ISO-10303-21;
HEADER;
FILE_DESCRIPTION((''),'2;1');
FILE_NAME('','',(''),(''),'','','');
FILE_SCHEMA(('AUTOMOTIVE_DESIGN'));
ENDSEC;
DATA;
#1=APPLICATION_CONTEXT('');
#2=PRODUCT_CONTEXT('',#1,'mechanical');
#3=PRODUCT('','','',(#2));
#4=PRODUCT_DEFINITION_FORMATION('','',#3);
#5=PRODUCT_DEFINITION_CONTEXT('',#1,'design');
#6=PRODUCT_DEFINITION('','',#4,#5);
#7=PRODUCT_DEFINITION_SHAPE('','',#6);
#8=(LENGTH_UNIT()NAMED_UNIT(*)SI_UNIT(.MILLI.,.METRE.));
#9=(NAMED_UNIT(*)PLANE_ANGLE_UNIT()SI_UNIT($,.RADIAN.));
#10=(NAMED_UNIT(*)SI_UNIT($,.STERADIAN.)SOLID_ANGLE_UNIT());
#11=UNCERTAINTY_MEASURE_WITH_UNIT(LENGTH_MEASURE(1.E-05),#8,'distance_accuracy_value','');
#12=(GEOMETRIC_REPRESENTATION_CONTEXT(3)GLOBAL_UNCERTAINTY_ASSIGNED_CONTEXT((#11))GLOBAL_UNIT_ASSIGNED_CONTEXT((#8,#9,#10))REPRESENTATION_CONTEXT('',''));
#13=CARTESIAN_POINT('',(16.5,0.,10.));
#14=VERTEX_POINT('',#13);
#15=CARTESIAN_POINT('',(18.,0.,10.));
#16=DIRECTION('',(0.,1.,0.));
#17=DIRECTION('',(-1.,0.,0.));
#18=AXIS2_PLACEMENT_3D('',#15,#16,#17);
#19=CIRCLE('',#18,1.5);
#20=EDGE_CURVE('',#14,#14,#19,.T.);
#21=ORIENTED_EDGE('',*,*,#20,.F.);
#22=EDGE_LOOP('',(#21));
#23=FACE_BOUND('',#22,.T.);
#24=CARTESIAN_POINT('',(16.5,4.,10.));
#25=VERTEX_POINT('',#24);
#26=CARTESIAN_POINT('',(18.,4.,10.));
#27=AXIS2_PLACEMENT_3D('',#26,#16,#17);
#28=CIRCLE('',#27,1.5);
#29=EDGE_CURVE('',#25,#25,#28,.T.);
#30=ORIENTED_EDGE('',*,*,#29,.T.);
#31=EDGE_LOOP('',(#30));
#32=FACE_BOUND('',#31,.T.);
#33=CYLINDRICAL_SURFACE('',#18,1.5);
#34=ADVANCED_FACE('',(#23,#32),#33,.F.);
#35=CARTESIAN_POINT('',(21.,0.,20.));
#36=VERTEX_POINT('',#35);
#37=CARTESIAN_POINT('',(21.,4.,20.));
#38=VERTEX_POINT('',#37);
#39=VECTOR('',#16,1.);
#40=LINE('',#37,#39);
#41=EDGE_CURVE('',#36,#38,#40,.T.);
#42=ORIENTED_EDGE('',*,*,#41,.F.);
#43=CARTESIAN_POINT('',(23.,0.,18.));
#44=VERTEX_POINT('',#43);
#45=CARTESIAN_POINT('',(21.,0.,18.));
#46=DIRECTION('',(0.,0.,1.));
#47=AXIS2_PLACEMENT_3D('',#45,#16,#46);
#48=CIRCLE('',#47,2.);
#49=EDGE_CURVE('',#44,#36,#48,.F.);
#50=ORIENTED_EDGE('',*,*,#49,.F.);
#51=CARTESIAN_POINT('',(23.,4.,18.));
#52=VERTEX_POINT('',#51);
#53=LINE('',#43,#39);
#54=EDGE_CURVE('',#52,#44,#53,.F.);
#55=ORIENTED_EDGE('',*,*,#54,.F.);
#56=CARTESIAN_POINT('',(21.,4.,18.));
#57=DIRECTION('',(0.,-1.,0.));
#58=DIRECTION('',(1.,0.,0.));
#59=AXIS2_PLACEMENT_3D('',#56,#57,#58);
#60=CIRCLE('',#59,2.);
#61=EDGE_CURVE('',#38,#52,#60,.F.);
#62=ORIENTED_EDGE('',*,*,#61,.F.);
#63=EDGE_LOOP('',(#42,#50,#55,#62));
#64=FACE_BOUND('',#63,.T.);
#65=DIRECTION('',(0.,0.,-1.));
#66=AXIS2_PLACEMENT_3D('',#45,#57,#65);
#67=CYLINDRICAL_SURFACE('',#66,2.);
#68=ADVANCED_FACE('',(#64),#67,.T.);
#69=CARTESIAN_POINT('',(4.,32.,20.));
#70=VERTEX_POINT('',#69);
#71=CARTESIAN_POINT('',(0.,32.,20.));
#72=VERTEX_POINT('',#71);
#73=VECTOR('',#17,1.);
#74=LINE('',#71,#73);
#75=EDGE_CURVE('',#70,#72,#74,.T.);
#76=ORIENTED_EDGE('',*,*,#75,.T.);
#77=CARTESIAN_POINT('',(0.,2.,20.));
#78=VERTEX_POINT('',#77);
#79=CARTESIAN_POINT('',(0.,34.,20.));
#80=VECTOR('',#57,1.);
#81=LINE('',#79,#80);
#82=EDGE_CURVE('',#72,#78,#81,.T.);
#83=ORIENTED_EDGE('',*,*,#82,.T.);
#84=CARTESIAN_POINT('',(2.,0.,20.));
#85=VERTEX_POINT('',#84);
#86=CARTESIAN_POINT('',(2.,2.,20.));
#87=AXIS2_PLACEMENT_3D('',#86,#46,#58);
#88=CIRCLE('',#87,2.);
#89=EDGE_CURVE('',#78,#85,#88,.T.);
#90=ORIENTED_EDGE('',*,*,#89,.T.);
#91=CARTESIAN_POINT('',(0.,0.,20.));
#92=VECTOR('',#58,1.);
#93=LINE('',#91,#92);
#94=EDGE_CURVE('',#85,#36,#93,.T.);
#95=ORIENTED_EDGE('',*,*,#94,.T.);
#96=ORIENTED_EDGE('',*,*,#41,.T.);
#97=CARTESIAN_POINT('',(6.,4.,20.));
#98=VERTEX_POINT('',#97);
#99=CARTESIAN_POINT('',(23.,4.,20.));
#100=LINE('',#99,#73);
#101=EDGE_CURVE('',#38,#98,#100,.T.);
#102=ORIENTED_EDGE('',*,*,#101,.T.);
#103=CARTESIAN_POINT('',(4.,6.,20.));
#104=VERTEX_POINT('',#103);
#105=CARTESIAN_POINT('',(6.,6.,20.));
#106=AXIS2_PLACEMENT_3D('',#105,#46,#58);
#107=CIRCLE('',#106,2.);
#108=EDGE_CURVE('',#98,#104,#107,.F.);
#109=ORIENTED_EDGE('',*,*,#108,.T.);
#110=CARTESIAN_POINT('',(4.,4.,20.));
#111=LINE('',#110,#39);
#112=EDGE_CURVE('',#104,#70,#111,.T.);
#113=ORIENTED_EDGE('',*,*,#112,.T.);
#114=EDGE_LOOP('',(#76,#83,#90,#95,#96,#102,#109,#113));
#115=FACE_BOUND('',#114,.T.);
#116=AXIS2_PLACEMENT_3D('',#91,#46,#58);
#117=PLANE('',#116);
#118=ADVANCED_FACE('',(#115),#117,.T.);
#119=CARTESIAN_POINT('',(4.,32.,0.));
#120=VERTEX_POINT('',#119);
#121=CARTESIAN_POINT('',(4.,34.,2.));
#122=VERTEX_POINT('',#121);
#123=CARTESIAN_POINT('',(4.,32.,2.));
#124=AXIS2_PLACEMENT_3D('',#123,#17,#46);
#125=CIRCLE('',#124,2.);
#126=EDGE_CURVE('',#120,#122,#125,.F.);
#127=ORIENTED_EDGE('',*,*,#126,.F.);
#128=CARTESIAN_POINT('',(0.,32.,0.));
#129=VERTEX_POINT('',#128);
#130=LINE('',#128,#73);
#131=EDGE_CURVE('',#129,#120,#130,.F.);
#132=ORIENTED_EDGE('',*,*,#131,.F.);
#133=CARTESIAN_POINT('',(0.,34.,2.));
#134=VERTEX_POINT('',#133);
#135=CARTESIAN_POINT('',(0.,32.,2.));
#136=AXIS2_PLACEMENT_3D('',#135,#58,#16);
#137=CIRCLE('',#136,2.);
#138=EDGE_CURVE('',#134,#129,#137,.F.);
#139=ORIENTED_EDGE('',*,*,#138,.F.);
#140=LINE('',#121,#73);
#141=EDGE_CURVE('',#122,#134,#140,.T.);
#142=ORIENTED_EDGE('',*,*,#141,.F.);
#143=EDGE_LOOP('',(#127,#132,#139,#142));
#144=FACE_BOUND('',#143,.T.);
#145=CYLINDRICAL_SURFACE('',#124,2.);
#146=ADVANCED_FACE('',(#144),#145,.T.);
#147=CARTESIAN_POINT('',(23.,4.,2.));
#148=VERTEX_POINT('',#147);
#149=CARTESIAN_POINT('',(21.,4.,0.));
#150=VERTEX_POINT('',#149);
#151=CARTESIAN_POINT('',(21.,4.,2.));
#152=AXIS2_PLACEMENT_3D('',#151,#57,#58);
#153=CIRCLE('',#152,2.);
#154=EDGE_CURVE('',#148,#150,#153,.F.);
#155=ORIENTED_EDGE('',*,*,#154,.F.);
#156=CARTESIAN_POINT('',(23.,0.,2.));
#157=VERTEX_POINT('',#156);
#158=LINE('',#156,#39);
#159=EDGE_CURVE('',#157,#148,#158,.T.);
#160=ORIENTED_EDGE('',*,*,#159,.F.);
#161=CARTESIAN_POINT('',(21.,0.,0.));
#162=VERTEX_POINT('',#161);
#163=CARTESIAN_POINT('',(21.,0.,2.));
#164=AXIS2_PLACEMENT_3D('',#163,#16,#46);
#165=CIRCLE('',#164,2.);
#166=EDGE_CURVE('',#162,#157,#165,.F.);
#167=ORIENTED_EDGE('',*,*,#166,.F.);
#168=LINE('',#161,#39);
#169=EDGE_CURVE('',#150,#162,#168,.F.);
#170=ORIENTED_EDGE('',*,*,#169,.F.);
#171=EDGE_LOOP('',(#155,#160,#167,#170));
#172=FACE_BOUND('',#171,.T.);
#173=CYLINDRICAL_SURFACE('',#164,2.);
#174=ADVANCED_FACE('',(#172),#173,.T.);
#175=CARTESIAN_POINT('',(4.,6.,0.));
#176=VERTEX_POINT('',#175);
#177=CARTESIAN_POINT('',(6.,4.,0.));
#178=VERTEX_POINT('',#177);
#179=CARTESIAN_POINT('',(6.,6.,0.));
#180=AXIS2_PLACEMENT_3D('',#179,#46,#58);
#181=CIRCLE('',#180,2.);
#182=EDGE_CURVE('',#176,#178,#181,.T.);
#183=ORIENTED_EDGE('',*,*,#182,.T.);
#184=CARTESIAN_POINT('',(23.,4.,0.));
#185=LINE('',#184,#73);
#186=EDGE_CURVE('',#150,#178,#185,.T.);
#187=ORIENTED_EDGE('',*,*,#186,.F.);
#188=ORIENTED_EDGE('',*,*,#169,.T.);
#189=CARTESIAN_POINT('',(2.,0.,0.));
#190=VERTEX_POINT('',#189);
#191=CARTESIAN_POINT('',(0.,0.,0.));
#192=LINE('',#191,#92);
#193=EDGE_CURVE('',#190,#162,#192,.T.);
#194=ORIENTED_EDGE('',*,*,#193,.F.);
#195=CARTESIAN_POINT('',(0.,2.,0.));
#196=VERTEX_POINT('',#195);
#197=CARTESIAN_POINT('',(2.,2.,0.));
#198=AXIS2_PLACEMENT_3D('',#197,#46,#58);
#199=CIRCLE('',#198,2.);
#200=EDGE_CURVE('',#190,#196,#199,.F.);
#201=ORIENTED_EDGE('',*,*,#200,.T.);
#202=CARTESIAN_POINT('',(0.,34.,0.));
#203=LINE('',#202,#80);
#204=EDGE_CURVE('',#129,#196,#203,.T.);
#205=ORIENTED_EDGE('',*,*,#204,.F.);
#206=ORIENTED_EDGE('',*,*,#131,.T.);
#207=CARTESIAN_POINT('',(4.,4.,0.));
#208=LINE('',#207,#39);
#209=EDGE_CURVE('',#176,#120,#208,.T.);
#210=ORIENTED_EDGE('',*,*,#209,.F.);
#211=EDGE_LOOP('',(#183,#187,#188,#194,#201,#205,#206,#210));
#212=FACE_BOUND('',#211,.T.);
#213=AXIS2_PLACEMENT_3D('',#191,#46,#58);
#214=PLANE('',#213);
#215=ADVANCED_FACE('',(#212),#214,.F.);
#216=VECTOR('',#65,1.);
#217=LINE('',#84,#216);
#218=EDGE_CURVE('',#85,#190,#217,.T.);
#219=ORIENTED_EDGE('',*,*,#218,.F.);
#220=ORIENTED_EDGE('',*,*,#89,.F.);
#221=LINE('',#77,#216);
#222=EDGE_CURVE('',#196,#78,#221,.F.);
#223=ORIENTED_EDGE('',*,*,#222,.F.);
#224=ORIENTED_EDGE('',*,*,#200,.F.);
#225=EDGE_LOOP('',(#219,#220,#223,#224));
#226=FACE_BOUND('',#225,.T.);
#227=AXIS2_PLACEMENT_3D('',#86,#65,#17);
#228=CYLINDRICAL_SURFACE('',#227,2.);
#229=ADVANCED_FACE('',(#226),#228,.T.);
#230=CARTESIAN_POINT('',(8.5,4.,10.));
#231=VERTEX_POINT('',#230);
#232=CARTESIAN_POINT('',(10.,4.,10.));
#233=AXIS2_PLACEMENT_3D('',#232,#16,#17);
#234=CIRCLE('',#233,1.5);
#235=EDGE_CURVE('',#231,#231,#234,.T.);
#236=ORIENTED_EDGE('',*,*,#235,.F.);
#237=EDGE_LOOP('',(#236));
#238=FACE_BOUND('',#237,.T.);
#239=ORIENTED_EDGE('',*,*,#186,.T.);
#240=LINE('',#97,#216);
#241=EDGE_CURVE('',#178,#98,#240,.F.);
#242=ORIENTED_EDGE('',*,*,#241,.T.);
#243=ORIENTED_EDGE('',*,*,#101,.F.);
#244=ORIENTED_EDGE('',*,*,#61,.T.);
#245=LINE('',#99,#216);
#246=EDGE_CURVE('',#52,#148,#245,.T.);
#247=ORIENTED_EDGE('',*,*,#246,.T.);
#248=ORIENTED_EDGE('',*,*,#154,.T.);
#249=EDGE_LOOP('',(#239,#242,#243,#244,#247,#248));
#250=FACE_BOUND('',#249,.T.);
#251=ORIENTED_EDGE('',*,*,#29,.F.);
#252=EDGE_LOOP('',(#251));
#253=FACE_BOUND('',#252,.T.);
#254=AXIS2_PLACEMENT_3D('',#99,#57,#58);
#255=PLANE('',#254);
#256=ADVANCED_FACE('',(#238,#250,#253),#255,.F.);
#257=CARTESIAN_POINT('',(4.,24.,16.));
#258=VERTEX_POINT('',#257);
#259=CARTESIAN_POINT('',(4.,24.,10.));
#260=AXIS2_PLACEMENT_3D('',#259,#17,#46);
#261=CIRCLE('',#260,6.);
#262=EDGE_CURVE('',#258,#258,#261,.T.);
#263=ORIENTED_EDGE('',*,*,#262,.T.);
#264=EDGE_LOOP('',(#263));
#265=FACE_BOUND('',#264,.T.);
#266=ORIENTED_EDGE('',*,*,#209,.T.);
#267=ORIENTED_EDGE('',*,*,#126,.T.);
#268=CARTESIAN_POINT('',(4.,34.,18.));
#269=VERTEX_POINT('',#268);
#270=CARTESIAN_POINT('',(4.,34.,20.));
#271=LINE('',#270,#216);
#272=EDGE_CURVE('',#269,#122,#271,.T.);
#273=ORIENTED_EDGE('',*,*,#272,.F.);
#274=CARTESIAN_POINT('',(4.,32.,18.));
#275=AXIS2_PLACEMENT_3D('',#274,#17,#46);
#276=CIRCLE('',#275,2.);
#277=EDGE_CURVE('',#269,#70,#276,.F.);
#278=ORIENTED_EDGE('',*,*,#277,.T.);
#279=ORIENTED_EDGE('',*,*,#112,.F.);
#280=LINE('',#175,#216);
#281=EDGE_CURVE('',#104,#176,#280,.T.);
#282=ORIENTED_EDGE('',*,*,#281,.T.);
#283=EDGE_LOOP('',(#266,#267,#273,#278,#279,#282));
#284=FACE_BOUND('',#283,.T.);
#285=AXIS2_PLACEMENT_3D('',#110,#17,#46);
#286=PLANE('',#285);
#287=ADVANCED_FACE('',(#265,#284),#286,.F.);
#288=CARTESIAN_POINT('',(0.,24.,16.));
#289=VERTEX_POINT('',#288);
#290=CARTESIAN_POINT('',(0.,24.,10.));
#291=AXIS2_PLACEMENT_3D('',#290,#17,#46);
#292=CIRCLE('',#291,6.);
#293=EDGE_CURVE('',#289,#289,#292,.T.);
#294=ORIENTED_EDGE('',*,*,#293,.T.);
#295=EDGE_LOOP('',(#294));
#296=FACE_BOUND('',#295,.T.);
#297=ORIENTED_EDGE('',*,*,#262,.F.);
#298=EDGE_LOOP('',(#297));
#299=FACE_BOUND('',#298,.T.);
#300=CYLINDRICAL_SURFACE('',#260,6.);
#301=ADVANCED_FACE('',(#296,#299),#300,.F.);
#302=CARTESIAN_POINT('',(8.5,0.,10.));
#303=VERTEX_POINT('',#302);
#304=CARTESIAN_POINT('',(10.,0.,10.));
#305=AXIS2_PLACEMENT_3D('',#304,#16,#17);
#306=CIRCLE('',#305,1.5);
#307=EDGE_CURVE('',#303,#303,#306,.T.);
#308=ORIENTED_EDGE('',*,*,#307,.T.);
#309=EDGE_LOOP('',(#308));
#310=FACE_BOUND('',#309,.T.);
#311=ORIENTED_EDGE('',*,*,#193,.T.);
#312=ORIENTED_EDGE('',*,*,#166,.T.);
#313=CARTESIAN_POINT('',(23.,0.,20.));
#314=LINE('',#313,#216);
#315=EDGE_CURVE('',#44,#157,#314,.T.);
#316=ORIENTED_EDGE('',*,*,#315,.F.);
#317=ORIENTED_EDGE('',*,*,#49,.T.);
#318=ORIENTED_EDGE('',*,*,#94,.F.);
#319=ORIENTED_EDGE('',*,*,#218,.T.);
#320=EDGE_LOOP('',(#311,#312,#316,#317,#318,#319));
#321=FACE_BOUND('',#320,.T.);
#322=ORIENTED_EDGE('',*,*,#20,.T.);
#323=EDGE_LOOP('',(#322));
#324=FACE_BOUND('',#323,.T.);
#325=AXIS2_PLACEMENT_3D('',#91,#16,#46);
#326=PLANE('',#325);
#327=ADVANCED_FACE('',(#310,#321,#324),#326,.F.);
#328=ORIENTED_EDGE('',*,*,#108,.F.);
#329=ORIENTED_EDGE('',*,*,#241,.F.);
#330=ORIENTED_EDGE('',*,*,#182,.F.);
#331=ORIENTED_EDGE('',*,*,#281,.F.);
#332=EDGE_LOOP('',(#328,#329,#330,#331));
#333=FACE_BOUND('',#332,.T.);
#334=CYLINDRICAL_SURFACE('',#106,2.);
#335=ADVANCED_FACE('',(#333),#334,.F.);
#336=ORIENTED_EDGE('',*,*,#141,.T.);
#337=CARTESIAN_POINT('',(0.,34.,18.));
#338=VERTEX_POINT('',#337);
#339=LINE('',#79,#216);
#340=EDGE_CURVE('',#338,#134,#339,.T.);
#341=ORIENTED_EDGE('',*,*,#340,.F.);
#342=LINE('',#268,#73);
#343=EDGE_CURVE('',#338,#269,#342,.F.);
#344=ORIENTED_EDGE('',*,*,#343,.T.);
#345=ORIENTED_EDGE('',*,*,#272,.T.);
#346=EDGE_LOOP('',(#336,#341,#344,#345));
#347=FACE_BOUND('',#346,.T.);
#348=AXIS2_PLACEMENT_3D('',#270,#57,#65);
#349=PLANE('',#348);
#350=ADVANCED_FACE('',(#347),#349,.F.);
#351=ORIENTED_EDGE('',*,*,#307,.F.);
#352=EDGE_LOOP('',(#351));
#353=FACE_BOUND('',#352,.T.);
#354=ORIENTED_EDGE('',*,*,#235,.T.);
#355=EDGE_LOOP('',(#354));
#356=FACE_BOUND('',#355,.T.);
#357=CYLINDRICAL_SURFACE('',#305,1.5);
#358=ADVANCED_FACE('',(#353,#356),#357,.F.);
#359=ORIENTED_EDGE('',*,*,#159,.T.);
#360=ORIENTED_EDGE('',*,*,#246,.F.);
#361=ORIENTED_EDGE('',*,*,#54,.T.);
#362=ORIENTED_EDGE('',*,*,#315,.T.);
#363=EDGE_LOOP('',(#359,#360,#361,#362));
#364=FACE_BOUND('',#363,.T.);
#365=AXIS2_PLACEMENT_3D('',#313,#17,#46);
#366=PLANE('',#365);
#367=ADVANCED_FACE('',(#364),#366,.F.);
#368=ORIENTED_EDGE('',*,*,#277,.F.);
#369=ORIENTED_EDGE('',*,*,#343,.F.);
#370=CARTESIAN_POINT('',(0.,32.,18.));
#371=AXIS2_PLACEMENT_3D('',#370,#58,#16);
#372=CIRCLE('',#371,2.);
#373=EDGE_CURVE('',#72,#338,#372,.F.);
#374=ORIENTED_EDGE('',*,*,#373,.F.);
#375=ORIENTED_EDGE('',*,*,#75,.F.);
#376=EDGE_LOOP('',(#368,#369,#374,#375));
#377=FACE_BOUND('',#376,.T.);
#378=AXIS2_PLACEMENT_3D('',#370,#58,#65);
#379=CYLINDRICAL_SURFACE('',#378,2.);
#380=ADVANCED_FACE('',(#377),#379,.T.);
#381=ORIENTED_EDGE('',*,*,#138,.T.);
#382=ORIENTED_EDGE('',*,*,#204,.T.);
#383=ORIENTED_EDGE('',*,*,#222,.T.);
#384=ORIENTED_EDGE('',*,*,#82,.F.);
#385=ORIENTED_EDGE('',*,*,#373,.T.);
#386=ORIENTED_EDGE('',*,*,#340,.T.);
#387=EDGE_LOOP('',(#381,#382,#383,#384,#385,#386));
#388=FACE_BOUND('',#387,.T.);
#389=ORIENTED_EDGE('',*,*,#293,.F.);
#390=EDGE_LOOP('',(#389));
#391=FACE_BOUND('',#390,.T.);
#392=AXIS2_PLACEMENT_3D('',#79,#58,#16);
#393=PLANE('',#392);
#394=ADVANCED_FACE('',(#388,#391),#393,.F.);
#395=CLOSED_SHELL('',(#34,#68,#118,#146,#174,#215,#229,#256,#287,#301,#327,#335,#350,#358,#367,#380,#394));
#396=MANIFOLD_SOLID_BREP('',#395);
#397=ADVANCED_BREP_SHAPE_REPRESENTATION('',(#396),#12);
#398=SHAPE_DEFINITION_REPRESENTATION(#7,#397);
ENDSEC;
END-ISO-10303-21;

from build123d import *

# Parameters (mm, degrees)
BOSS_EXTRUDE1_DEPTH = 20
SKETCH2_R           = 6
CUT_EXTRUDE1_DEPTH  = 4
SKETCH3_R           = 1.5
CUT_EXTRUDE2_DEPTH  = 4
FILLET1_R           = 2


with BuildPart() as part:
    # Sketch1 → Boss-Extrude1 (new body)
    with BuildSketch(Plane.XY):
        Polygon((0, 0), (23, 0), (23, 4), (4, 4), (4, 34), (0, 34), align=None)
    extrude(amount=BOSS_EXTRUDE1_DEPTH)

    # Sketch2 → Cut-Extrude1 (cut)
    with BuildSketch(Plane.ZY):
        with Locations((10, 24)):
            Circle(SKETCH2_R)
    extrude(amount=-CUT_EXTRUDE1_DEPTH, mode=Mode.SUBTRACT)

    # Sketch3 → Cut-Extrude2 (cut)
    with BuildSketch(Plane(origin=(0, 4, 0), x_dir=(1, 0, 0), z_dir=(0, 1, 0))):
        with Locations((18, -10)):
            Circle(SKETCH3_R)
        with Locations((10, -10)):
            Circle(SKETCH3_R)
    extrude(amount=-CUT_EXTRUDE2_DEPTH, mode=Mode.SUBTRACT)

    # Fillet1
    fillet1_edges = [part.edges().sort_by_distance(p)[0] for p in [
        (23, 2, 20),
        (4, 4, 10),
        (0, 0, 10),
        (2, 34, 20),
        (2, 34, 0),
        (23, 2, 0),
    ]]
    fillet(fillet1_edges, radius=FILLET1_R)


solid = part.part
